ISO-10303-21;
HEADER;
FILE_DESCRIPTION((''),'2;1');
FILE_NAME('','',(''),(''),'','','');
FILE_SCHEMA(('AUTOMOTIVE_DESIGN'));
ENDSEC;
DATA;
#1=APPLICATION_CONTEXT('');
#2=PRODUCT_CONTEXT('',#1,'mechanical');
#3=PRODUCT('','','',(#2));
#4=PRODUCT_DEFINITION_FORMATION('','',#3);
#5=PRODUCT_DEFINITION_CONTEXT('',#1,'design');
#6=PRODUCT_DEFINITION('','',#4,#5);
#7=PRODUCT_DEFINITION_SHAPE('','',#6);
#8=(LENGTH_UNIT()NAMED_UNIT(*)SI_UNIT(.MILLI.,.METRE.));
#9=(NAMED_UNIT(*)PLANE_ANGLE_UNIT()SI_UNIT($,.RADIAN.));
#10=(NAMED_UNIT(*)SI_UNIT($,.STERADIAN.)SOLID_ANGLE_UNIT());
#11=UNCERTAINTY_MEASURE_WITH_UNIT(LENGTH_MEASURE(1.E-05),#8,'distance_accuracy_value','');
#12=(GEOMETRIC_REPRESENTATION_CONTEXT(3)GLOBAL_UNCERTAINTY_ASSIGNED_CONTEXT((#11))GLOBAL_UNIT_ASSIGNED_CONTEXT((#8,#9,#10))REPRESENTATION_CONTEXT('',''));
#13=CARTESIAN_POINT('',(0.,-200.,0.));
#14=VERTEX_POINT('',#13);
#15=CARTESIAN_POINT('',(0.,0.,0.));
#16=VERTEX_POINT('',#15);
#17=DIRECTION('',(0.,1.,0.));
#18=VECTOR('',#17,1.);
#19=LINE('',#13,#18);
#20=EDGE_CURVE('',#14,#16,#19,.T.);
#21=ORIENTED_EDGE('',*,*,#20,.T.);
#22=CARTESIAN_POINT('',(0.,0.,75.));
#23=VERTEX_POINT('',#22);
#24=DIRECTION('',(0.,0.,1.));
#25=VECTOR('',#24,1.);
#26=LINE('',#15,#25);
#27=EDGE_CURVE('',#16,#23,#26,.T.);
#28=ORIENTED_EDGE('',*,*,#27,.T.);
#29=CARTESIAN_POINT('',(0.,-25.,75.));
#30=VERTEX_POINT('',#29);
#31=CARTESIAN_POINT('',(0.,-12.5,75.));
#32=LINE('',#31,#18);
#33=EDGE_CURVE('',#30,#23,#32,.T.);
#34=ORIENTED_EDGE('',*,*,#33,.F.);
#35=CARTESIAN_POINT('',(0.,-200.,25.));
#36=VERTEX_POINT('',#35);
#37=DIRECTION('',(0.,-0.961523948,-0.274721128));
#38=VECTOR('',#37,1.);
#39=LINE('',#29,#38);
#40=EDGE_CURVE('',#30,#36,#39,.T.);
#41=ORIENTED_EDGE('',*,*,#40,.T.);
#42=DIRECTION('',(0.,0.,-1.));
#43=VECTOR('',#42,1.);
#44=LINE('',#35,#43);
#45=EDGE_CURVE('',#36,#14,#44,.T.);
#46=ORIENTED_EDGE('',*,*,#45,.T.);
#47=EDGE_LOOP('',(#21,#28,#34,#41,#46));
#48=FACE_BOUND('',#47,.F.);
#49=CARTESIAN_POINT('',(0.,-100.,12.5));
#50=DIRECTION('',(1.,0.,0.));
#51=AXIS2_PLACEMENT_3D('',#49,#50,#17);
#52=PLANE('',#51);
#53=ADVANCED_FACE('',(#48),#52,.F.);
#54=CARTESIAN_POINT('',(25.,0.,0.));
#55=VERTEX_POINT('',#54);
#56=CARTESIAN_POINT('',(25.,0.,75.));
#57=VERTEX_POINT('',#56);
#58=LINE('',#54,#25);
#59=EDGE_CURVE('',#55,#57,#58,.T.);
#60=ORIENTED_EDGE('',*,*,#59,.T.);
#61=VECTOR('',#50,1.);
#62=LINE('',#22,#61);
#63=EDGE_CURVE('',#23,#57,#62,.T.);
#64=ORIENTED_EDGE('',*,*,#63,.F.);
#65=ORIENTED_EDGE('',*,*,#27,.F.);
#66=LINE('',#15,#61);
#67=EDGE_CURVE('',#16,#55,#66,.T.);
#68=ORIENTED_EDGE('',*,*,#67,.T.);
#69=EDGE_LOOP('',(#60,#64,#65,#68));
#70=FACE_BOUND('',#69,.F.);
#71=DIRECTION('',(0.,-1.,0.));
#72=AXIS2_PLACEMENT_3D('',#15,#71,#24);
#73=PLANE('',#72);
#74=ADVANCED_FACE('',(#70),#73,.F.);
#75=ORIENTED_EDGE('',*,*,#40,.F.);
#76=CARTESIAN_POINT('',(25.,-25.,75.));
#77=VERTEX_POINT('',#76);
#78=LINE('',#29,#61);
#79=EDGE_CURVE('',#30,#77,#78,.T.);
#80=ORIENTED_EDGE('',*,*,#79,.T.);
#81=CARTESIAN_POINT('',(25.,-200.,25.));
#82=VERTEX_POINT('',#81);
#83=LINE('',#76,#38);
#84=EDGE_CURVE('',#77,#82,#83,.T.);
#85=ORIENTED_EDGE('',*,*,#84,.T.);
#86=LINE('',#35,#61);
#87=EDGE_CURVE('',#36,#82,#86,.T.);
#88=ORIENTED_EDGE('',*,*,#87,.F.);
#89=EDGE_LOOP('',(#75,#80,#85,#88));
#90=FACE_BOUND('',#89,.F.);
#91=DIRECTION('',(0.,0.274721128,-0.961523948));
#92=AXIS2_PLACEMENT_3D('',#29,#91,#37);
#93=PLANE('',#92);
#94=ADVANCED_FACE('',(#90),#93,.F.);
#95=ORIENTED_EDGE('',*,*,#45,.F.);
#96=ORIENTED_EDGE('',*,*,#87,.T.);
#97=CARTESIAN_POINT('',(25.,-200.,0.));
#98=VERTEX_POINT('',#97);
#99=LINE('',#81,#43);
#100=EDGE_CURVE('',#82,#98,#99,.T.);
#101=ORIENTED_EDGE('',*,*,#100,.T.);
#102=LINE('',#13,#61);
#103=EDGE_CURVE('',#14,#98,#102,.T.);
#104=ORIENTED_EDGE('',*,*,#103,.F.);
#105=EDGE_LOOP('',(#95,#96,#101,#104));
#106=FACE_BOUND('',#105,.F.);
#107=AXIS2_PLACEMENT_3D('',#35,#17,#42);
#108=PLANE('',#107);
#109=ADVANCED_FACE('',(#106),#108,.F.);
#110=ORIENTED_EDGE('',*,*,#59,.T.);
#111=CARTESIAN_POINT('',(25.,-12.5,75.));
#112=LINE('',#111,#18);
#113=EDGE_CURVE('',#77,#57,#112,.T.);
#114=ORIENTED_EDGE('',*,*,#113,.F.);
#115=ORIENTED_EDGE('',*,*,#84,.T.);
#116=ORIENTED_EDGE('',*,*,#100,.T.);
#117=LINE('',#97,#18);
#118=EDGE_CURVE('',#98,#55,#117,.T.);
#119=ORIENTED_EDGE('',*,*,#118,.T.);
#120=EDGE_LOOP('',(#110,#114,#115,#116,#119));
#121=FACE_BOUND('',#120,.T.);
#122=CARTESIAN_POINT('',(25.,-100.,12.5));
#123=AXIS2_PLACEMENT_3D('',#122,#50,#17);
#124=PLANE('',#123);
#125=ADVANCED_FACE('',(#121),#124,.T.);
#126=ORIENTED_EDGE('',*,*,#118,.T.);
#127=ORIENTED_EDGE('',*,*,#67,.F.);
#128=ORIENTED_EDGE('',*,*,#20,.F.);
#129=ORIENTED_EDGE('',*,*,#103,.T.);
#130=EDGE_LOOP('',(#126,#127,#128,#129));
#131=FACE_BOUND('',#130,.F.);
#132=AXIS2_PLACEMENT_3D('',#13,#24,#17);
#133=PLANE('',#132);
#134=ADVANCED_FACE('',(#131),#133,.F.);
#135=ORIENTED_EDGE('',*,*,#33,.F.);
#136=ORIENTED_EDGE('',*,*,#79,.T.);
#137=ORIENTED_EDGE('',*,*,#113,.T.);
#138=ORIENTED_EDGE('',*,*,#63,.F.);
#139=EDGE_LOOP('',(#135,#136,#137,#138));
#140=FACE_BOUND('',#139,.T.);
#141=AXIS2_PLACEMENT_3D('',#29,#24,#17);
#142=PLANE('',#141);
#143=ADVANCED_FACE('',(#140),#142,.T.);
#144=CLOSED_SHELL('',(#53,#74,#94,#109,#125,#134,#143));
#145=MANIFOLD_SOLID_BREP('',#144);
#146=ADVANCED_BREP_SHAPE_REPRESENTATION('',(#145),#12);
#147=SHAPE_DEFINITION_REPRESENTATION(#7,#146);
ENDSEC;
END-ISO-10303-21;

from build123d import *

# Parameters (mm, degrees)
F0_W     = 25
F0_H     = 50
F1_DEPTH = 25


with BuildPart() as f1:
    # F0 (on Right) → F1 (new body)
    with BuildSketch(Plane.YZ):
        Polygon((-200, 0), (0, 0), (0, 25), (-25, 25), (-200, 25), align=None)
        with Locations((-12.5, 50)):
            Rectangle(F0_W, F0_H)
        Polygon((-25, 75), (-200, 25), (-25, 25), align=None)
    extrude(amount=F1_DEPTH)


solid = f1.part
